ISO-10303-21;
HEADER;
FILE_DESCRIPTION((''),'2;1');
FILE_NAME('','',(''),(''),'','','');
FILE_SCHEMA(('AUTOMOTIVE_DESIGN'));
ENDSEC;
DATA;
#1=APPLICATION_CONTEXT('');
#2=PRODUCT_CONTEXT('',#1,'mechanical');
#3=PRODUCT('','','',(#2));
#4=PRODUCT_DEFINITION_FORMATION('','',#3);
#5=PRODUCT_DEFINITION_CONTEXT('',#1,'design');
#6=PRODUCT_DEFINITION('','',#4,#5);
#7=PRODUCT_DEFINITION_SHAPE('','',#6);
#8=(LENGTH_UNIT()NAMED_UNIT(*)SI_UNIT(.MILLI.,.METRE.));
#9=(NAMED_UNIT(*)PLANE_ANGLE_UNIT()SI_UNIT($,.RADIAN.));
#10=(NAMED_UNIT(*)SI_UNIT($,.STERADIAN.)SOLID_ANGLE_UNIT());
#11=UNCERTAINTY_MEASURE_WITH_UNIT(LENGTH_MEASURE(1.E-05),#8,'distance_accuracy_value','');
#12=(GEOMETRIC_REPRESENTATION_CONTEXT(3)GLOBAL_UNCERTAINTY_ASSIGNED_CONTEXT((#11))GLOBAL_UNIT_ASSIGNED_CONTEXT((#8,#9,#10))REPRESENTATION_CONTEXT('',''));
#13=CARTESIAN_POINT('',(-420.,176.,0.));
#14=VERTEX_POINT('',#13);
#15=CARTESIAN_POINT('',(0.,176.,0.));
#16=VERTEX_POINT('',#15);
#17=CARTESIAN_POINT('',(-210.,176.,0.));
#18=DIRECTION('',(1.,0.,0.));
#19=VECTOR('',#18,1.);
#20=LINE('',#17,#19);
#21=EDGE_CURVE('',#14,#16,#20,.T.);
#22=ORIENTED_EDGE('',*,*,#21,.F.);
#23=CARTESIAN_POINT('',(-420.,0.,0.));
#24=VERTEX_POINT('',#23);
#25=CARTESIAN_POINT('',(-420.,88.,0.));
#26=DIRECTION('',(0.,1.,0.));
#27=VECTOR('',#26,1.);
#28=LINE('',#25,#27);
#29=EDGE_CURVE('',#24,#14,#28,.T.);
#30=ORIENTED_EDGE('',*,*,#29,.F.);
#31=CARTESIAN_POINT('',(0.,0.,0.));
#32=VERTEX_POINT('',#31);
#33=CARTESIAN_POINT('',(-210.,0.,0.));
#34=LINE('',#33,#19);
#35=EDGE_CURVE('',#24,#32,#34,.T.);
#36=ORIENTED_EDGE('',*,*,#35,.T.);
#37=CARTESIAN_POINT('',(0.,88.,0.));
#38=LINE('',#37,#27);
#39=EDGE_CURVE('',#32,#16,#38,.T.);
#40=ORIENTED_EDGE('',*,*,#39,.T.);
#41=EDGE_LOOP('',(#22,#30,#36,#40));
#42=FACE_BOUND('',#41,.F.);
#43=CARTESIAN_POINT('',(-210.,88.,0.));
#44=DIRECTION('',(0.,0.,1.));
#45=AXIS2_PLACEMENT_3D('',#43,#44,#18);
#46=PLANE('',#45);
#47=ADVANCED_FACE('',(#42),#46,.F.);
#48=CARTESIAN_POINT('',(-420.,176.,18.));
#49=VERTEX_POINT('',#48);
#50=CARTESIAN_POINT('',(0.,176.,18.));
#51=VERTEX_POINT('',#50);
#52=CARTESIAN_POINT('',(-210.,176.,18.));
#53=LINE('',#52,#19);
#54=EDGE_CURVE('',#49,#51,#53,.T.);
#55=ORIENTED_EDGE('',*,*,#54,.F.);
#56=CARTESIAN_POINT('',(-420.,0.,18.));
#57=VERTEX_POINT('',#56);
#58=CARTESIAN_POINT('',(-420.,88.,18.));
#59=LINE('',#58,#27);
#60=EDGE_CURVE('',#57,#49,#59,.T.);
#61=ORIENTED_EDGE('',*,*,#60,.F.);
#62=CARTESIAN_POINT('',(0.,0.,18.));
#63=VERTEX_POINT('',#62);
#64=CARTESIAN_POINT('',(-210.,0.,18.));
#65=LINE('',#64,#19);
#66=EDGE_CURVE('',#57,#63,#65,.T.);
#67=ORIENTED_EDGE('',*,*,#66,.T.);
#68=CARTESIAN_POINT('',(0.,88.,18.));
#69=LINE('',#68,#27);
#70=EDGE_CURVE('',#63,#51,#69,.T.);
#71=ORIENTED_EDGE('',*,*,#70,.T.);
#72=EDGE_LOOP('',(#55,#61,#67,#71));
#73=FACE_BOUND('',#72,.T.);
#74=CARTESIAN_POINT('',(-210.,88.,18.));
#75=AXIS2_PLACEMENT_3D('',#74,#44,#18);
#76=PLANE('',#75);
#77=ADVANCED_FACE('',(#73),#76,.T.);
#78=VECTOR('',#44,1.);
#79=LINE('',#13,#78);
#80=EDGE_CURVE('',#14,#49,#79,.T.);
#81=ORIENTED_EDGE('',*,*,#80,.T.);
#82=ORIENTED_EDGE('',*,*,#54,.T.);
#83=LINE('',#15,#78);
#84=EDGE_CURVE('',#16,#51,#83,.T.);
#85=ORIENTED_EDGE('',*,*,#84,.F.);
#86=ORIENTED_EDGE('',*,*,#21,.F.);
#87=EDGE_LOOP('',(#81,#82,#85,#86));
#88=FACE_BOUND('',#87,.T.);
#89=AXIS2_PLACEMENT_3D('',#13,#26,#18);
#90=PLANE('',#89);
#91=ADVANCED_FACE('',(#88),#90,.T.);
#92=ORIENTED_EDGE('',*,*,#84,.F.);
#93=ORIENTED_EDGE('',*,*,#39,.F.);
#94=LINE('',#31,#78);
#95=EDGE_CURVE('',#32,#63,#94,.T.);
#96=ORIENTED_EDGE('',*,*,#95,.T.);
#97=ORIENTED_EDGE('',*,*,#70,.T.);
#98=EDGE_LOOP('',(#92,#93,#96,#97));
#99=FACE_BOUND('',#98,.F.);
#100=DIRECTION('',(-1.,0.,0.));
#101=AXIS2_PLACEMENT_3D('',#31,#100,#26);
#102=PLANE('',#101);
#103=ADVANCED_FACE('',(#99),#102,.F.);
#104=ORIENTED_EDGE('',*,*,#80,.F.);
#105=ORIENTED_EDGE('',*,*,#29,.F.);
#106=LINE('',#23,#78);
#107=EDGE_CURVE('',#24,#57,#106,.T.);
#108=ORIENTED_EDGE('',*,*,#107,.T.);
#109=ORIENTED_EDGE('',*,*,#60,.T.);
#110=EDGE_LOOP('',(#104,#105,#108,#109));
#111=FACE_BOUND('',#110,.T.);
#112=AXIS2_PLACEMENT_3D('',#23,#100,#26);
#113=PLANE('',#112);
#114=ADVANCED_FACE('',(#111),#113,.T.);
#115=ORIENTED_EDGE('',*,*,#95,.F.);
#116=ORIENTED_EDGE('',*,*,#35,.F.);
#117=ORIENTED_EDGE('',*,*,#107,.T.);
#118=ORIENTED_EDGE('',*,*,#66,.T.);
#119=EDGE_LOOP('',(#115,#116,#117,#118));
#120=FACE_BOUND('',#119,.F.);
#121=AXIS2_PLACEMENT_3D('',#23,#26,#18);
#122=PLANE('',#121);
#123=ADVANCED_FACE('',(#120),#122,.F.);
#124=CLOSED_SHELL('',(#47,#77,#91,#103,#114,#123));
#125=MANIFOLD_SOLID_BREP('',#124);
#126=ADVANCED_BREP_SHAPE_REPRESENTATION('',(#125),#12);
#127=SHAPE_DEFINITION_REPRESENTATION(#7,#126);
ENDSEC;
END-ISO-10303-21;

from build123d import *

# Parameters (mm, degrees)
SKETCH_W  = 420
SKETCH_H  = 176
PAD_DEPTH = 18


with BuildPart() as part:
    # Sketch → Pad (new body)
    with BuildSketch(Plane.XY):
        with Locations((-210, 88)):
            Rectangle(SKETCH_W, SKETCH_H)
    extrude(amount=PAD_DEPTH)


solid = part.part
